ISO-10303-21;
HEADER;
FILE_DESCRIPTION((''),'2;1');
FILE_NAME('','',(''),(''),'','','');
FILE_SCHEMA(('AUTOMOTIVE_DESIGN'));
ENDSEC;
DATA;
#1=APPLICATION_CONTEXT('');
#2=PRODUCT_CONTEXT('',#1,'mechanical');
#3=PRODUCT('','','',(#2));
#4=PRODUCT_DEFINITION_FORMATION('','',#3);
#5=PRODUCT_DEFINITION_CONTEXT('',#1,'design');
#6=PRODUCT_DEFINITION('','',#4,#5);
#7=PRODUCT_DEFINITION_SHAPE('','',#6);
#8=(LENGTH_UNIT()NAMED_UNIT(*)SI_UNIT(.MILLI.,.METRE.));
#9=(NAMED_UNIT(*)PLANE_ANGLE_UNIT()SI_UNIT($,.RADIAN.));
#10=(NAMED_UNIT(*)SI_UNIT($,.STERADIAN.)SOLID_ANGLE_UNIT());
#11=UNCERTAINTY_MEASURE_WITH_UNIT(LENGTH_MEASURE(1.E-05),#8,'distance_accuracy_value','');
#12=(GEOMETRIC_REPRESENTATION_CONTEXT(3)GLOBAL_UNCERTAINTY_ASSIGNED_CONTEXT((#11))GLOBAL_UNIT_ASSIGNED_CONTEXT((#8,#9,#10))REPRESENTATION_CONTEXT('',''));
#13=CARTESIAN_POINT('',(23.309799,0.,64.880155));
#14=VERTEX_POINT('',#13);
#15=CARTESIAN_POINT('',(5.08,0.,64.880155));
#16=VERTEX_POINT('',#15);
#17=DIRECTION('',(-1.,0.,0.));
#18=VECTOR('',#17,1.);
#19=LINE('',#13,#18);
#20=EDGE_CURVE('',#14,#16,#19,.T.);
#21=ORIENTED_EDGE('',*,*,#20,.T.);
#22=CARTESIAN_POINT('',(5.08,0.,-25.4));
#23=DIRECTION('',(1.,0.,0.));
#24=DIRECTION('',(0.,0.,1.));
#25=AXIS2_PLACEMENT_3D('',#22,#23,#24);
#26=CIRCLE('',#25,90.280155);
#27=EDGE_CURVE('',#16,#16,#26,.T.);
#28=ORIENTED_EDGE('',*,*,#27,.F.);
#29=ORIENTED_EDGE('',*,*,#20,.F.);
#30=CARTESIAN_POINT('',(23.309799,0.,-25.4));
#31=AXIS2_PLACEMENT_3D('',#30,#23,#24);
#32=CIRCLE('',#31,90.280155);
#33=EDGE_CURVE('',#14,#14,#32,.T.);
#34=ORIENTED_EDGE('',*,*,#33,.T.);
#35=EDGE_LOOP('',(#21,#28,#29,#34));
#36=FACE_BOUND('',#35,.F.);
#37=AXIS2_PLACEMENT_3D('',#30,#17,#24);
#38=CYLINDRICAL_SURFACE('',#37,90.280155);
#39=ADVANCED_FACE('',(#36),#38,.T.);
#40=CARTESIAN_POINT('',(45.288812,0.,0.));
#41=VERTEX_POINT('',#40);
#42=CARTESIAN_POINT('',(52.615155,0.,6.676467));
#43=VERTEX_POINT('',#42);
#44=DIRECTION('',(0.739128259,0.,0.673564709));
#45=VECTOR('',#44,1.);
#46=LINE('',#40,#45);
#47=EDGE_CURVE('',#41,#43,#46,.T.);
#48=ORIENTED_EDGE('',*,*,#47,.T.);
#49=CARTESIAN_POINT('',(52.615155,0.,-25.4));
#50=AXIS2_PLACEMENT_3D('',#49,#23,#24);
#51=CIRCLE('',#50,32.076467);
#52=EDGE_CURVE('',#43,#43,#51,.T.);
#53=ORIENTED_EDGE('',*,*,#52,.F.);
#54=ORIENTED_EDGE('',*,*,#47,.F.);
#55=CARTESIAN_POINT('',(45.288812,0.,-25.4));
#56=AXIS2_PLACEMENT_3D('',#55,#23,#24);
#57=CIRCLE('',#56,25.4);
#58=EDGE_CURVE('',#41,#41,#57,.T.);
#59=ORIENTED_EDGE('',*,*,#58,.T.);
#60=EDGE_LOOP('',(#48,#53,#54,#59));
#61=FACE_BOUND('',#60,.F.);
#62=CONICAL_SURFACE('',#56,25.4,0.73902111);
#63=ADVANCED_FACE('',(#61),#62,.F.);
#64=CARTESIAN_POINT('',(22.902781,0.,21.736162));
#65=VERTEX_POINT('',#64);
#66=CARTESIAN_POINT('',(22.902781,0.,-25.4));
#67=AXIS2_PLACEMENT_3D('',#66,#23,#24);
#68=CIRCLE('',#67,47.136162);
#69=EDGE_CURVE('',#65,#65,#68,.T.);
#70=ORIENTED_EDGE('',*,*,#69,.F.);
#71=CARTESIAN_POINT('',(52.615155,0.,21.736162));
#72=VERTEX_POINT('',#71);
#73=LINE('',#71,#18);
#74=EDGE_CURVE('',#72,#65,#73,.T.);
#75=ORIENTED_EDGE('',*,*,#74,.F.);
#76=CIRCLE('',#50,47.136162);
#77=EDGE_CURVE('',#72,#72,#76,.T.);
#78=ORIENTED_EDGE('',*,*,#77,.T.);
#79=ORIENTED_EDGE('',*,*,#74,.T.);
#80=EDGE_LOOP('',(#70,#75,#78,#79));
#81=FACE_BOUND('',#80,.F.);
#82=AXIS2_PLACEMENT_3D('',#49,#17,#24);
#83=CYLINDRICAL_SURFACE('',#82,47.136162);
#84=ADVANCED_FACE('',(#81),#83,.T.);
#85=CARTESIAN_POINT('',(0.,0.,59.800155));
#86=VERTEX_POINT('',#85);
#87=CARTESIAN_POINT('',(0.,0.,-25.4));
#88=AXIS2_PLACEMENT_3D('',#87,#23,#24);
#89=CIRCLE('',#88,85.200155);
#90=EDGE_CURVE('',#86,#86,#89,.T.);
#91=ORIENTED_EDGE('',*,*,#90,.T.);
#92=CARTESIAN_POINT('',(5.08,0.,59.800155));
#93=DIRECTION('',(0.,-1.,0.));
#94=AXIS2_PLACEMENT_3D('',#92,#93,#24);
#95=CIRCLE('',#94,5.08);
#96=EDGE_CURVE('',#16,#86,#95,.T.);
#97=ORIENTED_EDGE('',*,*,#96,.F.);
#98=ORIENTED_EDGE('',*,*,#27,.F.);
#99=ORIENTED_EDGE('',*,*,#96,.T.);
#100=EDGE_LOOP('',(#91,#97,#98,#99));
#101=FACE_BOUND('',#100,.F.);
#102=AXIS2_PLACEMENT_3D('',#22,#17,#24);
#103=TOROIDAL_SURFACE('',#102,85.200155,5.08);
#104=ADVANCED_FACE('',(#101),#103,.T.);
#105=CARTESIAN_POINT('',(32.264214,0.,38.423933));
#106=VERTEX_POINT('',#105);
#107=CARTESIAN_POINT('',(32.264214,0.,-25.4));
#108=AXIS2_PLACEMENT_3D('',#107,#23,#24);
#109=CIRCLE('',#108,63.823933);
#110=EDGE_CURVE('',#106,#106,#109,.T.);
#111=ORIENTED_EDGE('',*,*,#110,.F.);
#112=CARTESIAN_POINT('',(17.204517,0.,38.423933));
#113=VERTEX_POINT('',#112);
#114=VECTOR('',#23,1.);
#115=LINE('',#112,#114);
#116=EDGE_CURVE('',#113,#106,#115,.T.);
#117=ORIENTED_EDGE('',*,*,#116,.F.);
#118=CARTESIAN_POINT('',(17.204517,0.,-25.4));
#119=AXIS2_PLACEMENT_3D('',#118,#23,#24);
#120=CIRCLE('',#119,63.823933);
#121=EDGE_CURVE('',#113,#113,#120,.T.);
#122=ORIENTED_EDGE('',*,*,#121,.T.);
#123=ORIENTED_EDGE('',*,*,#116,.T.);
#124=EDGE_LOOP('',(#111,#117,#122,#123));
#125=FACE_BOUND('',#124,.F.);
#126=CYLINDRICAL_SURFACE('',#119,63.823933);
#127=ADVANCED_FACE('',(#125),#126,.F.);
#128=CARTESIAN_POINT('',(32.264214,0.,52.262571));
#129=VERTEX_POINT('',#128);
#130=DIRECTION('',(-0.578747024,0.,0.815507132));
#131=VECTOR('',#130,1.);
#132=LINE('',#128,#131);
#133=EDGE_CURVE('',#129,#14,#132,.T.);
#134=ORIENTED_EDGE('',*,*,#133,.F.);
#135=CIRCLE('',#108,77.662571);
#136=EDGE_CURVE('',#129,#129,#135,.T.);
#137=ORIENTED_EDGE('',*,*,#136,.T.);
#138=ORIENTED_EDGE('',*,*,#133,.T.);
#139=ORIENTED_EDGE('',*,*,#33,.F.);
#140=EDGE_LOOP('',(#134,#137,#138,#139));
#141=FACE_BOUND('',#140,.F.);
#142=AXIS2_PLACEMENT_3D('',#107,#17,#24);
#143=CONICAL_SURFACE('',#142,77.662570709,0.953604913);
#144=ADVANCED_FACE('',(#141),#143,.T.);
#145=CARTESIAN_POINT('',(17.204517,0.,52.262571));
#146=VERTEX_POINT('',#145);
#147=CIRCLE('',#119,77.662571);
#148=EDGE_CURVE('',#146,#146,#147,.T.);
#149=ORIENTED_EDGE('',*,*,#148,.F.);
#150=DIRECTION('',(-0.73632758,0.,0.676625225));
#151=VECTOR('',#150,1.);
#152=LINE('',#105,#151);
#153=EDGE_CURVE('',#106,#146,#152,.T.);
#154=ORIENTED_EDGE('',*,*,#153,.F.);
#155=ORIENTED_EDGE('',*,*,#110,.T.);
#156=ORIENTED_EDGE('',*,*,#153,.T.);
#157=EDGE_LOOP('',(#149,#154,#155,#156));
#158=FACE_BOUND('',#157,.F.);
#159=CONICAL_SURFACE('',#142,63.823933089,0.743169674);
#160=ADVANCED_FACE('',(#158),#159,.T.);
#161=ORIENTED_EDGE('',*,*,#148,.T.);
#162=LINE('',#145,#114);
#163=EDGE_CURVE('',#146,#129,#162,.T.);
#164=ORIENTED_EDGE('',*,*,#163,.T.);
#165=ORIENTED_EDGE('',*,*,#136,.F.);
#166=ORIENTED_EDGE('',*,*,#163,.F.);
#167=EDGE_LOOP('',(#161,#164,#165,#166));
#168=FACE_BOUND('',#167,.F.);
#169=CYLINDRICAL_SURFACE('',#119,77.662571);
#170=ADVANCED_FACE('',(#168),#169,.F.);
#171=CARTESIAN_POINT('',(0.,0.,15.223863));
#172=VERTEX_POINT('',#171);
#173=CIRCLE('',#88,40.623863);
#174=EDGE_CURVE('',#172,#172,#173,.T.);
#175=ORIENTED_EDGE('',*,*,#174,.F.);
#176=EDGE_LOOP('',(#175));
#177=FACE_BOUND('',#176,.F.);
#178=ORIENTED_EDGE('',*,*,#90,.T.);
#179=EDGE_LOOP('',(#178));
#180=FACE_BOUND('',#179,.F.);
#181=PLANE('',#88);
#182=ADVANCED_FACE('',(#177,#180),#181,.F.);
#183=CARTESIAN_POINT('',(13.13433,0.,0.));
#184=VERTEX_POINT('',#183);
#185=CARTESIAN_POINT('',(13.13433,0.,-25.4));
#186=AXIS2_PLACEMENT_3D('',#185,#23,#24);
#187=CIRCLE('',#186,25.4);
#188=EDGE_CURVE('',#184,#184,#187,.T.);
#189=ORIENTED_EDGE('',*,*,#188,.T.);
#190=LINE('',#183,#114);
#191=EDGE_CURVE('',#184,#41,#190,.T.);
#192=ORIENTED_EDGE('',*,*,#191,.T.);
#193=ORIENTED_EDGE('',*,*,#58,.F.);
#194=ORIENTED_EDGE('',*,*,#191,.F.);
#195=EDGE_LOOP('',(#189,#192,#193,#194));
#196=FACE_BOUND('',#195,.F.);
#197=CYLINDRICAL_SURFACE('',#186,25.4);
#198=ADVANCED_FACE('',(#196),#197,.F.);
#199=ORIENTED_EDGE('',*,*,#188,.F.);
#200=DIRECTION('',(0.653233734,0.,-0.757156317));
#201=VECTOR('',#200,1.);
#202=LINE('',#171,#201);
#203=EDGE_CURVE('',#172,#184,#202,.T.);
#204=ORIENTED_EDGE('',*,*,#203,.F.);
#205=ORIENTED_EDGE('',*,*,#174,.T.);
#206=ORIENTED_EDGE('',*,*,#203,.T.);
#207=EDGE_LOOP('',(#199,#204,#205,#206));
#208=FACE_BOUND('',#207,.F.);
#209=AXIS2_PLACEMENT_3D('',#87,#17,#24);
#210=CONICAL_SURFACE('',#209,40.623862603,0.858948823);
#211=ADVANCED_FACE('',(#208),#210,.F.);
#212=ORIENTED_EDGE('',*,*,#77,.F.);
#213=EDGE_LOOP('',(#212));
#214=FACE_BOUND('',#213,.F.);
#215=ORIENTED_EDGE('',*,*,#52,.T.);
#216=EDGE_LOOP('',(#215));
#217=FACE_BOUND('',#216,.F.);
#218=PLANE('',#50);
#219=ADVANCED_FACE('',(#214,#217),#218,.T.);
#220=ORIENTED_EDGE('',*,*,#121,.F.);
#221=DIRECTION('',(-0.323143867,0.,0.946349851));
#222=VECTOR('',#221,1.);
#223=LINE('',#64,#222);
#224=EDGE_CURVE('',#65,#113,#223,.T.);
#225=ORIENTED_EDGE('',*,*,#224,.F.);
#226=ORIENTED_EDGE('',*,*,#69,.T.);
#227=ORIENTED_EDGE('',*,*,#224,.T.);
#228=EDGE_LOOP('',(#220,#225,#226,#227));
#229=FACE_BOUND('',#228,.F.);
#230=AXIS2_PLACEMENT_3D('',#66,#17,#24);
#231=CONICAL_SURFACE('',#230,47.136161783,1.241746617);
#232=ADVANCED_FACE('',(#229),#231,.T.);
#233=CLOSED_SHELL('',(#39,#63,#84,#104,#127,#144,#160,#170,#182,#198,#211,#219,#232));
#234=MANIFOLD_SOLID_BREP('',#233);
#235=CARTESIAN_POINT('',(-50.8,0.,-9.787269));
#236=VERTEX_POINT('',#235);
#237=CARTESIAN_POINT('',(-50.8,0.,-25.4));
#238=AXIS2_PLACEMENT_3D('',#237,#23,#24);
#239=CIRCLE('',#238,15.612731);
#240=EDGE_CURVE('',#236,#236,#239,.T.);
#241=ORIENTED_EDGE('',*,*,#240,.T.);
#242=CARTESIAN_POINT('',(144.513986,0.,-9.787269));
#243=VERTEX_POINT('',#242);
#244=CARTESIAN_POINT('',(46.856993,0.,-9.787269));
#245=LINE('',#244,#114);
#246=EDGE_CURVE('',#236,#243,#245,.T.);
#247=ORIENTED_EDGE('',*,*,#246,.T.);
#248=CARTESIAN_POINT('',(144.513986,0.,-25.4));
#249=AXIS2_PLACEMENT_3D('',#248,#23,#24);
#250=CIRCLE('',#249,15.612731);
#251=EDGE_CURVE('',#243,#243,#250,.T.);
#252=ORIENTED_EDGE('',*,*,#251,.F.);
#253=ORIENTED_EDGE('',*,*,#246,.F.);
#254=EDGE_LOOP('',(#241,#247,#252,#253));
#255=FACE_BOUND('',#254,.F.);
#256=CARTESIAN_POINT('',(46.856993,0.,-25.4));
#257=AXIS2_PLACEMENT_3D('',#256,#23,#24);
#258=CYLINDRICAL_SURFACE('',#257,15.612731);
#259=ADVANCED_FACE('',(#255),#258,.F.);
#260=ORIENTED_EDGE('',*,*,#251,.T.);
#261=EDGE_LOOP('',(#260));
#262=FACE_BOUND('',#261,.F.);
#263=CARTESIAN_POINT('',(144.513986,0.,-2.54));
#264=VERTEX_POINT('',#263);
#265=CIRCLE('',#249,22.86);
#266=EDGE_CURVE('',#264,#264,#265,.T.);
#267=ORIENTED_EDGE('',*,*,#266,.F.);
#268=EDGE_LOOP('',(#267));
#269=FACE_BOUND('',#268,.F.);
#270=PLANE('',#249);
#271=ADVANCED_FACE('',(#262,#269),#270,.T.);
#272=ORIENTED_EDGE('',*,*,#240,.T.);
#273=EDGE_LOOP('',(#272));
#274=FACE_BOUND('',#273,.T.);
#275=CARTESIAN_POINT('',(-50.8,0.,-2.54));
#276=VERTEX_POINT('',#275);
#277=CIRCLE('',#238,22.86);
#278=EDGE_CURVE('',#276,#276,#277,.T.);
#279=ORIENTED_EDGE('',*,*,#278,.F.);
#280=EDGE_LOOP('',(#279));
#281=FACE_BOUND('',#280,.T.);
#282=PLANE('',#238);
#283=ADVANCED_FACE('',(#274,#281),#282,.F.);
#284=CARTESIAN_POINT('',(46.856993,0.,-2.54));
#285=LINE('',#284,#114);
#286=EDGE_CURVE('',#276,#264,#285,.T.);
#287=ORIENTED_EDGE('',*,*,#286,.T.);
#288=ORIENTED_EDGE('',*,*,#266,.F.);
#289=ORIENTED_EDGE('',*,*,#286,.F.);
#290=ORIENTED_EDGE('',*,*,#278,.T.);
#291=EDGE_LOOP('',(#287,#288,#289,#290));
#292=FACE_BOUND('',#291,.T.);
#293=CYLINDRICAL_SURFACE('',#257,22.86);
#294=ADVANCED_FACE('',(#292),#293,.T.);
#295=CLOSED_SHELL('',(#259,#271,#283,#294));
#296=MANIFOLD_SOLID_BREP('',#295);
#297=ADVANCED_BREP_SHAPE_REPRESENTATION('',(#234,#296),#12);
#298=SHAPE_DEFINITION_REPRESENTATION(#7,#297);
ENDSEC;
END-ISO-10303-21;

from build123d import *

# Parameters (mm, degrees)
F2_W = 195.3139863908
F2_H = 7.2472691536
F4_R = 5.08


with BuildPart() as f1:
    # F0 (on Front) → F1 (revolve)
    with BuildSketch(Plane.XZ):
        Polygon((0, 15.2238626033), (13.1343295798, 0), (45.2888123691, 0), (52.6151545346, 6.6764671355), (52.6151545346, 21.7361617833), (22.9027811438, 21.7361617833), (17.2045174986, 38.4239330888), (32.264214009, 38.4239330888), (17.2045174986, 52.262570709), (32.264214009, 52.262570709), (23.3097989112, 64.8801550269), (0, 64.8801550269), align=None)
    revolve(axis=Axis((35.5203598738, 0, -25.4), (1, 0, 0)))

    # F4
    f4_edges = [f1.edges().sort_by_distance(p)[0] for p in [
        (0, 0, -115.680155),
    ]]
    fillet(f4_edges, radius=F4_R)


with BuildPart() as f3:
    # F2 (on Front) → F3 (revolve)
    with BuildSketch(Plane.XZ):
        with Locations((46.8569931954, -6.1636345768)):
            Rectangle(F2_W, F2_H)
    revolve(axis=Axis((35.5203598738, 0, -25.4), (1, 0, 0)))


solid = Compound([f1.part, f3.part])
